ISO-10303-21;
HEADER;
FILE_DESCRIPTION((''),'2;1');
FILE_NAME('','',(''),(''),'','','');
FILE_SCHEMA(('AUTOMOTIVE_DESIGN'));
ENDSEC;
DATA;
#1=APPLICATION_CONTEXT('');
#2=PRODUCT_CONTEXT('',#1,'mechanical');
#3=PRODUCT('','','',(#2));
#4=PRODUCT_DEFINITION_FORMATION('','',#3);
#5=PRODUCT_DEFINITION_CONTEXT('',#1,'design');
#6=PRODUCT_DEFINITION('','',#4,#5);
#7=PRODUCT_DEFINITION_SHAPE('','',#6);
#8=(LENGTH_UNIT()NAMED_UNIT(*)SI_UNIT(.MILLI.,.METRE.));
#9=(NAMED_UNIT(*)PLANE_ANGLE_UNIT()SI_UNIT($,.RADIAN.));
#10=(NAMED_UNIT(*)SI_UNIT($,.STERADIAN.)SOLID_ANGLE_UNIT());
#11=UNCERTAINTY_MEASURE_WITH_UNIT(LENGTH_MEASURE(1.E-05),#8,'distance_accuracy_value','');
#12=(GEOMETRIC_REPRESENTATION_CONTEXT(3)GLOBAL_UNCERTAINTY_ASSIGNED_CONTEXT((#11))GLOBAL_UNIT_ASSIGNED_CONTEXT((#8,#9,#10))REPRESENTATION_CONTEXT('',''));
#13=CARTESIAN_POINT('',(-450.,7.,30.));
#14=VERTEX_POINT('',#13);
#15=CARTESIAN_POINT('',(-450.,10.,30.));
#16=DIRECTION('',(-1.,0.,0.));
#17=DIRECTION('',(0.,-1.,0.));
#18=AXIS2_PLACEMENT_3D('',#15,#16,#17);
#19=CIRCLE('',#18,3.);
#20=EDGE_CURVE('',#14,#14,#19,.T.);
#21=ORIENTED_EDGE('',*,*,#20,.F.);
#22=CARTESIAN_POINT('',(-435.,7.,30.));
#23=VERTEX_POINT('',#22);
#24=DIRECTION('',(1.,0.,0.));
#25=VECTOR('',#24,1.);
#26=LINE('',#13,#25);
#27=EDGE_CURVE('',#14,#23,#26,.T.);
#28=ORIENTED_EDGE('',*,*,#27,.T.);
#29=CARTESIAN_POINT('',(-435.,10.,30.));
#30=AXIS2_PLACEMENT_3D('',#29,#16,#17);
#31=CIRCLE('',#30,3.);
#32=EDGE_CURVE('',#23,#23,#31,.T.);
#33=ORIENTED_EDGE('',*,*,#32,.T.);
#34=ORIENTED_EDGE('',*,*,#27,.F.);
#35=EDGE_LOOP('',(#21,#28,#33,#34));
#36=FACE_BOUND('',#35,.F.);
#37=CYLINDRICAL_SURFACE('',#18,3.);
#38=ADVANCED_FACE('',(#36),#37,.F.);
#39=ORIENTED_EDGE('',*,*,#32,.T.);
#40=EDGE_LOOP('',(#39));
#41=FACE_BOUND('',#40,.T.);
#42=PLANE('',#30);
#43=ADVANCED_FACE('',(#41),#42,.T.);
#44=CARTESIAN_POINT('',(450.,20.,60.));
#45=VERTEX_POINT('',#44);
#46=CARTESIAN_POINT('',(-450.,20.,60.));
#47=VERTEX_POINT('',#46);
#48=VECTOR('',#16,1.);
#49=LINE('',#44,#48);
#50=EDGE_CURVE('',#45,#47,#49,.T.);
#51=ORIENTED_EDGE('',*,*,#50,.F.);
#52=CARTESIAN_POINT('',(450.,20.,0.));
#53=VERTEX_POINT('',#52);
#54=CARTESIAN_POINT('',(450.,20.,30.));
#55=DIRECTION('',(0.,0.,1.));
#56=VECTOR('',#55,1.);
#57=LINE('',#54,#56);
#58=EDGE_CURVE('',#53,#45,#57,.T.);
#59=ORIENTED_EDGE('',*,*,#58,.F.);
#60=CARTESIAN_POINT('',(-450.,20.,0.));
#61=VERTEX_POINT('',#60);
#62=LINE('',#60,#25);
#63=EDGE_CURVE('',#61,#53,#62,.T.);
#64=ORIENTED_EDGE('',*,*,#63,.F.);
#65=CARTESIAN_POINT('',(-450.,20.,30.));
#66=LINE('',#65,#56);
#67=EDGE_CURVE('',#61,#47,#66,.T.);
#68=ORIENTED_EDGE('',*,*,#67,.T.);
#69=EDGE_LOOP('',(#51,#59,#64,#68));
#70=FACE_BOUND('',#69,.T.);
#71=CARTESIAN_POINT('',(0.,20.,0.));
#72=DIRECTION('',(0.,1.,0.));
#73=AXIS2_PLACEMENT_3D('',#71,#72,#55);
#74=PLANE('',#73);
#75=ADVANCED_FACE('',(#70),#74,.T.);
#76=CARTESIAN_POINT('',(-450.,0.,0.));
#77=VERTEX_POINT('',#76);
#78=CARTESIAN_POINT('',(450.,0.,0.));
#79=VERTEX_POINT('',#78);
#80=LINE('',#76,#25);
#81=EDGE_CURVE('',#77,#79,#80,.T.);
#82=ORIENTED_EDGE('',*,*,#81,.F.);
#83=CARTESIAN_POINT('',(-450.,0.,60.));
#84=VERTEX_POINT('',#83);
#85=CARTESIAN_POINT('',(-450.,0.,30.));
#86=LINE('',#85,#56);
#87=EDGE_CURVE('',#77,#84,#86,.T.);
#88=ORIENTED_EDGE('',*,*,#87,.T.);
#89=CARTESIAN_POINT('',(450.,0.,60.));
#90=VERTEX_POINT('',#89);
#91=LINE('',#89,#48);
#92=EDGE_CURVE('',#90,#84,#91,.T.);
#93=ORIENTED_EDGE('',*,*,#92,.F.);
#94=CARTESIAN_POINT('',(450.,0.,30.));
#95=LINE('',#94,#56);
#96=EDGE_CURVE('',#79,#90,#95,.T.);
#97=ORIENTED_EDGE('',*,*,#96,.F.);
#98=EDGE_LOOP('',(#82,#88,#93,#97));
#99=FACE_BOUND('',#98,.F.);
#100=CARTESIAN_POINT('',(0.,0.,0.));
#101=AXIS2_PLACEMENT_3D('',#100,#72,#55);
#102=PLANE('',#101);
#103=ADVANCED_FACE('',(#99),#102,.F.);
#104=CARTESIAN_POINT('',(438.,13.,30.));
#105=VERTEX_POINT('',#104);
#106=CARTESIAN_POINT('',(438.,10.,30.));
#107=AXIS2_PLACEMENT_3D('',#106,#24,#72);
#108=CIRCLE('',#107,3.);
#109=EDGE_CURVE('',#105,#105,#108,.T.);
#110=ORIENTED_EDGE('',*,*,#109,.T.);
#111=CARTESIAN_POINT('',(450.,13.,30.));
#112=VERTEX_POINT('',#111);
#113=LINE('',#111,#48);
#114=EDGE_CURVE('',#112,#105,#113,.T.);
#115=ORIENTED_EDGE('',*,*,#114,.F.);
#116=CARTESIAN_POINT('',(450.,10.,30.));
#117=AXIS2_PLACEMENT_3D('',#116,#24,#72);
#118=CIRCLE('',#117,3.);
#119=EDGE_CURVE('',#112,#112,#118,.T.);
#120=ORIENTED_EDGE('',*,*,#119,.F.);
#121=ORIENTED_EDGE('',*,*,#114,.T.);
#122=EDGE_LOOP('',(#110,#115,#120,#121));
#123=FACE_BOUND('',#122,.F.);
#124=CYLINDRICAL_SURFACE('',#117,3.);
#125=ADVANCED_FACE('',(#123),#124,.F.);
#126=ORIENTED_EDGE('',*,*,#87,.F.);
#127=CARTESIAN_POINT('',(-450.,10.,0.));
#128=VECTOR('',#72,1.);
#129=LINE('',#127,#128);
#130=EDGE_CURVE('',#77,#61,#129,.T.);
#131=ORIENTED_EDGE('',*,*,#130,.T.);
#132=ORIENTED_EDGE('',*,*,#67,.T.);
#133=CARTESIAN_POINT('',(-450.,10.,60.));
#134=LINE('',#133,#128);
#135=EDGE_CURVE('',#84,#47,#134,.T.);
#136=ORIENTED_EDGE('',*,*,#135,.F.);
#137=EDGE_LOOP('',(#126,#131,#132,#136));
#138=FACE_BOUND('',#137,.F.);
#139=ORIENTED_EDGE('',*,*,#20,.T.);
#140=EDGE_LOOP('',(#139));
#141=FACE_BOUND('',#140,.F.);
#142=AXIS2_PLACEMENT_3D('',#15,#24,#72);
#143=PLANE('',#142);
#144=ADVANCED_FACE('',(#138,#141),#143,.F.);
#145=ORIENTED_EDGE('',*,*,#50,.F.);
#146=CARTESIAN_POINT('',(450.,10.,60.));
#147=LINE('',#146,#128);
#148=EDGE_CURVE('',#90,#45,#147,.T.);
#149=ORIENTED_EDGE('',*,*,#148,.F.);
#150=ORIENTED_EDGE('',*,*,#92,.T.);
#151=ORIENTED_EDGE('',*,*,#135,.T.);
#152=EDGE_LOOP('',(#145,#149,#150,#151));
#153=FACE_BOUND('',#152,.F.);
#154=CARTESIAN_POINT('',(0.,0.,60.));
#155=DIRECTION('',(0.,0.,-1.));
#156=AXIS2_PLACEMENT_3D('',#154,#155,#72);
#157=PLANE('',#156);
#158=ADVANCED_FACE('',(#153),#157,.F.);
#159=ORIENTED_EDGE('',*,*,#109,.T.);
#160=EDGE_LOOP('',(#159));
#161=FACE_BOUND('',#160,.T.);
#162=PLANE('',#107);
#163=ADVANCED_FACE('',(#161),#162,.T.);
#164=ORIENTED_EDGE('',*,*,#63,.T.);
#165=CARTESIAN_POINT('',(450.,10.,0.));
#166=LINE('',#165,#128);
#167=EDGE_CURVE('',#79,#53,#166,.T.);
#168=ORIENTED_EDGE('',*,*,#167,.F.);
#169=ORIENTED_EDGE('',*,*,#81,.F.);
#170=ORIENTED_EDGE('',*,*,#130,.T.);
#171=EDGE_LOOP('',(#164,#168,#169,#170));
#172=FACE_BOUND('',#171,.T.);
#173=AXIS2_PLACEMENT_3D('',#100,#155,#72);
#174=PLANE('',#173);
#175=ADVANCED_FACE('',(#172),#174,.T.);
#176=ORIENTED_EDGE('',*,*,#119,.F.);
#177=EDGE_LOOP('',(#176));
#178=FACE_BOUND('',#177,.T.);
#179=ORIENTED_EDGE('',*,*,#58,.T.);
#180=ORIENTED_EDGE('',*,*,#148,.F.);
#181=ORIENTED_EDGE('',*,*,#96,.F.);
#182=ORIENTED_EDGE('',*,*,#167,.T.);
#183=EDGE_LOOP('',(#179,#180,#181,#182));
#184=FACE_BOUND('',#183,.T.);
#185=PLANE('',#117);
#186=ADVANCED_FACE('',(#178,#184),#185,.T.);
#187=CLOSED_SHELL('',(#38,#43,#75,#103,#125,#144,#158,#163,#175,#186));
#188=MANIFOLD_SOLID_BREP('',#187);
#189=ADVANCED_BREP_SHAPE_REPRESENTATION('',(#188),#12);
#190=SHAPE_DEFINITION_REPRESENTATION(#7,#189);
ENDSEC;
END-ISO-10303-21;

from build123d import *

# Parameters (mm, degrees)
F0_W     = 20
F0_H     = 60
F1_DEPTH = 450
F2_R     = 3
F3_DEPTH = 12
F5_R     = 3
F6_DEPTH = 15


with BuildPart() as f1:
    # F0 (on Right) → F1 (new body, symmetric)
    with BuildSketch(Plane.YZ):
        with Locations((10, 30)):
            Rectangle(F0_W, F0_H)
    extrude(amount=F1_DEPTH, both=True)

    # F2 (on face) → F3 (cut)
    with BuildSketch(Plane.YZ.offset(450)):
        with Locations((10, 30)):
            Circle(F2_R)
    extrude(amount=-F3_DEPTH, mode=Mode.SUBTRACT)

    # F5 (on face) → F6 (cut)
    with BuildSketch(Plane(origin=(-450, 0, 0), x_dir=(0, -1, 0), z_dir=(-1, 0, 0))):
        with Locations((-10, 30)):
            Circle(F5_R)
    extrude(amount=-F6_DEPTH, mode=Mode.SUBTRACT)


solid = f1.part
